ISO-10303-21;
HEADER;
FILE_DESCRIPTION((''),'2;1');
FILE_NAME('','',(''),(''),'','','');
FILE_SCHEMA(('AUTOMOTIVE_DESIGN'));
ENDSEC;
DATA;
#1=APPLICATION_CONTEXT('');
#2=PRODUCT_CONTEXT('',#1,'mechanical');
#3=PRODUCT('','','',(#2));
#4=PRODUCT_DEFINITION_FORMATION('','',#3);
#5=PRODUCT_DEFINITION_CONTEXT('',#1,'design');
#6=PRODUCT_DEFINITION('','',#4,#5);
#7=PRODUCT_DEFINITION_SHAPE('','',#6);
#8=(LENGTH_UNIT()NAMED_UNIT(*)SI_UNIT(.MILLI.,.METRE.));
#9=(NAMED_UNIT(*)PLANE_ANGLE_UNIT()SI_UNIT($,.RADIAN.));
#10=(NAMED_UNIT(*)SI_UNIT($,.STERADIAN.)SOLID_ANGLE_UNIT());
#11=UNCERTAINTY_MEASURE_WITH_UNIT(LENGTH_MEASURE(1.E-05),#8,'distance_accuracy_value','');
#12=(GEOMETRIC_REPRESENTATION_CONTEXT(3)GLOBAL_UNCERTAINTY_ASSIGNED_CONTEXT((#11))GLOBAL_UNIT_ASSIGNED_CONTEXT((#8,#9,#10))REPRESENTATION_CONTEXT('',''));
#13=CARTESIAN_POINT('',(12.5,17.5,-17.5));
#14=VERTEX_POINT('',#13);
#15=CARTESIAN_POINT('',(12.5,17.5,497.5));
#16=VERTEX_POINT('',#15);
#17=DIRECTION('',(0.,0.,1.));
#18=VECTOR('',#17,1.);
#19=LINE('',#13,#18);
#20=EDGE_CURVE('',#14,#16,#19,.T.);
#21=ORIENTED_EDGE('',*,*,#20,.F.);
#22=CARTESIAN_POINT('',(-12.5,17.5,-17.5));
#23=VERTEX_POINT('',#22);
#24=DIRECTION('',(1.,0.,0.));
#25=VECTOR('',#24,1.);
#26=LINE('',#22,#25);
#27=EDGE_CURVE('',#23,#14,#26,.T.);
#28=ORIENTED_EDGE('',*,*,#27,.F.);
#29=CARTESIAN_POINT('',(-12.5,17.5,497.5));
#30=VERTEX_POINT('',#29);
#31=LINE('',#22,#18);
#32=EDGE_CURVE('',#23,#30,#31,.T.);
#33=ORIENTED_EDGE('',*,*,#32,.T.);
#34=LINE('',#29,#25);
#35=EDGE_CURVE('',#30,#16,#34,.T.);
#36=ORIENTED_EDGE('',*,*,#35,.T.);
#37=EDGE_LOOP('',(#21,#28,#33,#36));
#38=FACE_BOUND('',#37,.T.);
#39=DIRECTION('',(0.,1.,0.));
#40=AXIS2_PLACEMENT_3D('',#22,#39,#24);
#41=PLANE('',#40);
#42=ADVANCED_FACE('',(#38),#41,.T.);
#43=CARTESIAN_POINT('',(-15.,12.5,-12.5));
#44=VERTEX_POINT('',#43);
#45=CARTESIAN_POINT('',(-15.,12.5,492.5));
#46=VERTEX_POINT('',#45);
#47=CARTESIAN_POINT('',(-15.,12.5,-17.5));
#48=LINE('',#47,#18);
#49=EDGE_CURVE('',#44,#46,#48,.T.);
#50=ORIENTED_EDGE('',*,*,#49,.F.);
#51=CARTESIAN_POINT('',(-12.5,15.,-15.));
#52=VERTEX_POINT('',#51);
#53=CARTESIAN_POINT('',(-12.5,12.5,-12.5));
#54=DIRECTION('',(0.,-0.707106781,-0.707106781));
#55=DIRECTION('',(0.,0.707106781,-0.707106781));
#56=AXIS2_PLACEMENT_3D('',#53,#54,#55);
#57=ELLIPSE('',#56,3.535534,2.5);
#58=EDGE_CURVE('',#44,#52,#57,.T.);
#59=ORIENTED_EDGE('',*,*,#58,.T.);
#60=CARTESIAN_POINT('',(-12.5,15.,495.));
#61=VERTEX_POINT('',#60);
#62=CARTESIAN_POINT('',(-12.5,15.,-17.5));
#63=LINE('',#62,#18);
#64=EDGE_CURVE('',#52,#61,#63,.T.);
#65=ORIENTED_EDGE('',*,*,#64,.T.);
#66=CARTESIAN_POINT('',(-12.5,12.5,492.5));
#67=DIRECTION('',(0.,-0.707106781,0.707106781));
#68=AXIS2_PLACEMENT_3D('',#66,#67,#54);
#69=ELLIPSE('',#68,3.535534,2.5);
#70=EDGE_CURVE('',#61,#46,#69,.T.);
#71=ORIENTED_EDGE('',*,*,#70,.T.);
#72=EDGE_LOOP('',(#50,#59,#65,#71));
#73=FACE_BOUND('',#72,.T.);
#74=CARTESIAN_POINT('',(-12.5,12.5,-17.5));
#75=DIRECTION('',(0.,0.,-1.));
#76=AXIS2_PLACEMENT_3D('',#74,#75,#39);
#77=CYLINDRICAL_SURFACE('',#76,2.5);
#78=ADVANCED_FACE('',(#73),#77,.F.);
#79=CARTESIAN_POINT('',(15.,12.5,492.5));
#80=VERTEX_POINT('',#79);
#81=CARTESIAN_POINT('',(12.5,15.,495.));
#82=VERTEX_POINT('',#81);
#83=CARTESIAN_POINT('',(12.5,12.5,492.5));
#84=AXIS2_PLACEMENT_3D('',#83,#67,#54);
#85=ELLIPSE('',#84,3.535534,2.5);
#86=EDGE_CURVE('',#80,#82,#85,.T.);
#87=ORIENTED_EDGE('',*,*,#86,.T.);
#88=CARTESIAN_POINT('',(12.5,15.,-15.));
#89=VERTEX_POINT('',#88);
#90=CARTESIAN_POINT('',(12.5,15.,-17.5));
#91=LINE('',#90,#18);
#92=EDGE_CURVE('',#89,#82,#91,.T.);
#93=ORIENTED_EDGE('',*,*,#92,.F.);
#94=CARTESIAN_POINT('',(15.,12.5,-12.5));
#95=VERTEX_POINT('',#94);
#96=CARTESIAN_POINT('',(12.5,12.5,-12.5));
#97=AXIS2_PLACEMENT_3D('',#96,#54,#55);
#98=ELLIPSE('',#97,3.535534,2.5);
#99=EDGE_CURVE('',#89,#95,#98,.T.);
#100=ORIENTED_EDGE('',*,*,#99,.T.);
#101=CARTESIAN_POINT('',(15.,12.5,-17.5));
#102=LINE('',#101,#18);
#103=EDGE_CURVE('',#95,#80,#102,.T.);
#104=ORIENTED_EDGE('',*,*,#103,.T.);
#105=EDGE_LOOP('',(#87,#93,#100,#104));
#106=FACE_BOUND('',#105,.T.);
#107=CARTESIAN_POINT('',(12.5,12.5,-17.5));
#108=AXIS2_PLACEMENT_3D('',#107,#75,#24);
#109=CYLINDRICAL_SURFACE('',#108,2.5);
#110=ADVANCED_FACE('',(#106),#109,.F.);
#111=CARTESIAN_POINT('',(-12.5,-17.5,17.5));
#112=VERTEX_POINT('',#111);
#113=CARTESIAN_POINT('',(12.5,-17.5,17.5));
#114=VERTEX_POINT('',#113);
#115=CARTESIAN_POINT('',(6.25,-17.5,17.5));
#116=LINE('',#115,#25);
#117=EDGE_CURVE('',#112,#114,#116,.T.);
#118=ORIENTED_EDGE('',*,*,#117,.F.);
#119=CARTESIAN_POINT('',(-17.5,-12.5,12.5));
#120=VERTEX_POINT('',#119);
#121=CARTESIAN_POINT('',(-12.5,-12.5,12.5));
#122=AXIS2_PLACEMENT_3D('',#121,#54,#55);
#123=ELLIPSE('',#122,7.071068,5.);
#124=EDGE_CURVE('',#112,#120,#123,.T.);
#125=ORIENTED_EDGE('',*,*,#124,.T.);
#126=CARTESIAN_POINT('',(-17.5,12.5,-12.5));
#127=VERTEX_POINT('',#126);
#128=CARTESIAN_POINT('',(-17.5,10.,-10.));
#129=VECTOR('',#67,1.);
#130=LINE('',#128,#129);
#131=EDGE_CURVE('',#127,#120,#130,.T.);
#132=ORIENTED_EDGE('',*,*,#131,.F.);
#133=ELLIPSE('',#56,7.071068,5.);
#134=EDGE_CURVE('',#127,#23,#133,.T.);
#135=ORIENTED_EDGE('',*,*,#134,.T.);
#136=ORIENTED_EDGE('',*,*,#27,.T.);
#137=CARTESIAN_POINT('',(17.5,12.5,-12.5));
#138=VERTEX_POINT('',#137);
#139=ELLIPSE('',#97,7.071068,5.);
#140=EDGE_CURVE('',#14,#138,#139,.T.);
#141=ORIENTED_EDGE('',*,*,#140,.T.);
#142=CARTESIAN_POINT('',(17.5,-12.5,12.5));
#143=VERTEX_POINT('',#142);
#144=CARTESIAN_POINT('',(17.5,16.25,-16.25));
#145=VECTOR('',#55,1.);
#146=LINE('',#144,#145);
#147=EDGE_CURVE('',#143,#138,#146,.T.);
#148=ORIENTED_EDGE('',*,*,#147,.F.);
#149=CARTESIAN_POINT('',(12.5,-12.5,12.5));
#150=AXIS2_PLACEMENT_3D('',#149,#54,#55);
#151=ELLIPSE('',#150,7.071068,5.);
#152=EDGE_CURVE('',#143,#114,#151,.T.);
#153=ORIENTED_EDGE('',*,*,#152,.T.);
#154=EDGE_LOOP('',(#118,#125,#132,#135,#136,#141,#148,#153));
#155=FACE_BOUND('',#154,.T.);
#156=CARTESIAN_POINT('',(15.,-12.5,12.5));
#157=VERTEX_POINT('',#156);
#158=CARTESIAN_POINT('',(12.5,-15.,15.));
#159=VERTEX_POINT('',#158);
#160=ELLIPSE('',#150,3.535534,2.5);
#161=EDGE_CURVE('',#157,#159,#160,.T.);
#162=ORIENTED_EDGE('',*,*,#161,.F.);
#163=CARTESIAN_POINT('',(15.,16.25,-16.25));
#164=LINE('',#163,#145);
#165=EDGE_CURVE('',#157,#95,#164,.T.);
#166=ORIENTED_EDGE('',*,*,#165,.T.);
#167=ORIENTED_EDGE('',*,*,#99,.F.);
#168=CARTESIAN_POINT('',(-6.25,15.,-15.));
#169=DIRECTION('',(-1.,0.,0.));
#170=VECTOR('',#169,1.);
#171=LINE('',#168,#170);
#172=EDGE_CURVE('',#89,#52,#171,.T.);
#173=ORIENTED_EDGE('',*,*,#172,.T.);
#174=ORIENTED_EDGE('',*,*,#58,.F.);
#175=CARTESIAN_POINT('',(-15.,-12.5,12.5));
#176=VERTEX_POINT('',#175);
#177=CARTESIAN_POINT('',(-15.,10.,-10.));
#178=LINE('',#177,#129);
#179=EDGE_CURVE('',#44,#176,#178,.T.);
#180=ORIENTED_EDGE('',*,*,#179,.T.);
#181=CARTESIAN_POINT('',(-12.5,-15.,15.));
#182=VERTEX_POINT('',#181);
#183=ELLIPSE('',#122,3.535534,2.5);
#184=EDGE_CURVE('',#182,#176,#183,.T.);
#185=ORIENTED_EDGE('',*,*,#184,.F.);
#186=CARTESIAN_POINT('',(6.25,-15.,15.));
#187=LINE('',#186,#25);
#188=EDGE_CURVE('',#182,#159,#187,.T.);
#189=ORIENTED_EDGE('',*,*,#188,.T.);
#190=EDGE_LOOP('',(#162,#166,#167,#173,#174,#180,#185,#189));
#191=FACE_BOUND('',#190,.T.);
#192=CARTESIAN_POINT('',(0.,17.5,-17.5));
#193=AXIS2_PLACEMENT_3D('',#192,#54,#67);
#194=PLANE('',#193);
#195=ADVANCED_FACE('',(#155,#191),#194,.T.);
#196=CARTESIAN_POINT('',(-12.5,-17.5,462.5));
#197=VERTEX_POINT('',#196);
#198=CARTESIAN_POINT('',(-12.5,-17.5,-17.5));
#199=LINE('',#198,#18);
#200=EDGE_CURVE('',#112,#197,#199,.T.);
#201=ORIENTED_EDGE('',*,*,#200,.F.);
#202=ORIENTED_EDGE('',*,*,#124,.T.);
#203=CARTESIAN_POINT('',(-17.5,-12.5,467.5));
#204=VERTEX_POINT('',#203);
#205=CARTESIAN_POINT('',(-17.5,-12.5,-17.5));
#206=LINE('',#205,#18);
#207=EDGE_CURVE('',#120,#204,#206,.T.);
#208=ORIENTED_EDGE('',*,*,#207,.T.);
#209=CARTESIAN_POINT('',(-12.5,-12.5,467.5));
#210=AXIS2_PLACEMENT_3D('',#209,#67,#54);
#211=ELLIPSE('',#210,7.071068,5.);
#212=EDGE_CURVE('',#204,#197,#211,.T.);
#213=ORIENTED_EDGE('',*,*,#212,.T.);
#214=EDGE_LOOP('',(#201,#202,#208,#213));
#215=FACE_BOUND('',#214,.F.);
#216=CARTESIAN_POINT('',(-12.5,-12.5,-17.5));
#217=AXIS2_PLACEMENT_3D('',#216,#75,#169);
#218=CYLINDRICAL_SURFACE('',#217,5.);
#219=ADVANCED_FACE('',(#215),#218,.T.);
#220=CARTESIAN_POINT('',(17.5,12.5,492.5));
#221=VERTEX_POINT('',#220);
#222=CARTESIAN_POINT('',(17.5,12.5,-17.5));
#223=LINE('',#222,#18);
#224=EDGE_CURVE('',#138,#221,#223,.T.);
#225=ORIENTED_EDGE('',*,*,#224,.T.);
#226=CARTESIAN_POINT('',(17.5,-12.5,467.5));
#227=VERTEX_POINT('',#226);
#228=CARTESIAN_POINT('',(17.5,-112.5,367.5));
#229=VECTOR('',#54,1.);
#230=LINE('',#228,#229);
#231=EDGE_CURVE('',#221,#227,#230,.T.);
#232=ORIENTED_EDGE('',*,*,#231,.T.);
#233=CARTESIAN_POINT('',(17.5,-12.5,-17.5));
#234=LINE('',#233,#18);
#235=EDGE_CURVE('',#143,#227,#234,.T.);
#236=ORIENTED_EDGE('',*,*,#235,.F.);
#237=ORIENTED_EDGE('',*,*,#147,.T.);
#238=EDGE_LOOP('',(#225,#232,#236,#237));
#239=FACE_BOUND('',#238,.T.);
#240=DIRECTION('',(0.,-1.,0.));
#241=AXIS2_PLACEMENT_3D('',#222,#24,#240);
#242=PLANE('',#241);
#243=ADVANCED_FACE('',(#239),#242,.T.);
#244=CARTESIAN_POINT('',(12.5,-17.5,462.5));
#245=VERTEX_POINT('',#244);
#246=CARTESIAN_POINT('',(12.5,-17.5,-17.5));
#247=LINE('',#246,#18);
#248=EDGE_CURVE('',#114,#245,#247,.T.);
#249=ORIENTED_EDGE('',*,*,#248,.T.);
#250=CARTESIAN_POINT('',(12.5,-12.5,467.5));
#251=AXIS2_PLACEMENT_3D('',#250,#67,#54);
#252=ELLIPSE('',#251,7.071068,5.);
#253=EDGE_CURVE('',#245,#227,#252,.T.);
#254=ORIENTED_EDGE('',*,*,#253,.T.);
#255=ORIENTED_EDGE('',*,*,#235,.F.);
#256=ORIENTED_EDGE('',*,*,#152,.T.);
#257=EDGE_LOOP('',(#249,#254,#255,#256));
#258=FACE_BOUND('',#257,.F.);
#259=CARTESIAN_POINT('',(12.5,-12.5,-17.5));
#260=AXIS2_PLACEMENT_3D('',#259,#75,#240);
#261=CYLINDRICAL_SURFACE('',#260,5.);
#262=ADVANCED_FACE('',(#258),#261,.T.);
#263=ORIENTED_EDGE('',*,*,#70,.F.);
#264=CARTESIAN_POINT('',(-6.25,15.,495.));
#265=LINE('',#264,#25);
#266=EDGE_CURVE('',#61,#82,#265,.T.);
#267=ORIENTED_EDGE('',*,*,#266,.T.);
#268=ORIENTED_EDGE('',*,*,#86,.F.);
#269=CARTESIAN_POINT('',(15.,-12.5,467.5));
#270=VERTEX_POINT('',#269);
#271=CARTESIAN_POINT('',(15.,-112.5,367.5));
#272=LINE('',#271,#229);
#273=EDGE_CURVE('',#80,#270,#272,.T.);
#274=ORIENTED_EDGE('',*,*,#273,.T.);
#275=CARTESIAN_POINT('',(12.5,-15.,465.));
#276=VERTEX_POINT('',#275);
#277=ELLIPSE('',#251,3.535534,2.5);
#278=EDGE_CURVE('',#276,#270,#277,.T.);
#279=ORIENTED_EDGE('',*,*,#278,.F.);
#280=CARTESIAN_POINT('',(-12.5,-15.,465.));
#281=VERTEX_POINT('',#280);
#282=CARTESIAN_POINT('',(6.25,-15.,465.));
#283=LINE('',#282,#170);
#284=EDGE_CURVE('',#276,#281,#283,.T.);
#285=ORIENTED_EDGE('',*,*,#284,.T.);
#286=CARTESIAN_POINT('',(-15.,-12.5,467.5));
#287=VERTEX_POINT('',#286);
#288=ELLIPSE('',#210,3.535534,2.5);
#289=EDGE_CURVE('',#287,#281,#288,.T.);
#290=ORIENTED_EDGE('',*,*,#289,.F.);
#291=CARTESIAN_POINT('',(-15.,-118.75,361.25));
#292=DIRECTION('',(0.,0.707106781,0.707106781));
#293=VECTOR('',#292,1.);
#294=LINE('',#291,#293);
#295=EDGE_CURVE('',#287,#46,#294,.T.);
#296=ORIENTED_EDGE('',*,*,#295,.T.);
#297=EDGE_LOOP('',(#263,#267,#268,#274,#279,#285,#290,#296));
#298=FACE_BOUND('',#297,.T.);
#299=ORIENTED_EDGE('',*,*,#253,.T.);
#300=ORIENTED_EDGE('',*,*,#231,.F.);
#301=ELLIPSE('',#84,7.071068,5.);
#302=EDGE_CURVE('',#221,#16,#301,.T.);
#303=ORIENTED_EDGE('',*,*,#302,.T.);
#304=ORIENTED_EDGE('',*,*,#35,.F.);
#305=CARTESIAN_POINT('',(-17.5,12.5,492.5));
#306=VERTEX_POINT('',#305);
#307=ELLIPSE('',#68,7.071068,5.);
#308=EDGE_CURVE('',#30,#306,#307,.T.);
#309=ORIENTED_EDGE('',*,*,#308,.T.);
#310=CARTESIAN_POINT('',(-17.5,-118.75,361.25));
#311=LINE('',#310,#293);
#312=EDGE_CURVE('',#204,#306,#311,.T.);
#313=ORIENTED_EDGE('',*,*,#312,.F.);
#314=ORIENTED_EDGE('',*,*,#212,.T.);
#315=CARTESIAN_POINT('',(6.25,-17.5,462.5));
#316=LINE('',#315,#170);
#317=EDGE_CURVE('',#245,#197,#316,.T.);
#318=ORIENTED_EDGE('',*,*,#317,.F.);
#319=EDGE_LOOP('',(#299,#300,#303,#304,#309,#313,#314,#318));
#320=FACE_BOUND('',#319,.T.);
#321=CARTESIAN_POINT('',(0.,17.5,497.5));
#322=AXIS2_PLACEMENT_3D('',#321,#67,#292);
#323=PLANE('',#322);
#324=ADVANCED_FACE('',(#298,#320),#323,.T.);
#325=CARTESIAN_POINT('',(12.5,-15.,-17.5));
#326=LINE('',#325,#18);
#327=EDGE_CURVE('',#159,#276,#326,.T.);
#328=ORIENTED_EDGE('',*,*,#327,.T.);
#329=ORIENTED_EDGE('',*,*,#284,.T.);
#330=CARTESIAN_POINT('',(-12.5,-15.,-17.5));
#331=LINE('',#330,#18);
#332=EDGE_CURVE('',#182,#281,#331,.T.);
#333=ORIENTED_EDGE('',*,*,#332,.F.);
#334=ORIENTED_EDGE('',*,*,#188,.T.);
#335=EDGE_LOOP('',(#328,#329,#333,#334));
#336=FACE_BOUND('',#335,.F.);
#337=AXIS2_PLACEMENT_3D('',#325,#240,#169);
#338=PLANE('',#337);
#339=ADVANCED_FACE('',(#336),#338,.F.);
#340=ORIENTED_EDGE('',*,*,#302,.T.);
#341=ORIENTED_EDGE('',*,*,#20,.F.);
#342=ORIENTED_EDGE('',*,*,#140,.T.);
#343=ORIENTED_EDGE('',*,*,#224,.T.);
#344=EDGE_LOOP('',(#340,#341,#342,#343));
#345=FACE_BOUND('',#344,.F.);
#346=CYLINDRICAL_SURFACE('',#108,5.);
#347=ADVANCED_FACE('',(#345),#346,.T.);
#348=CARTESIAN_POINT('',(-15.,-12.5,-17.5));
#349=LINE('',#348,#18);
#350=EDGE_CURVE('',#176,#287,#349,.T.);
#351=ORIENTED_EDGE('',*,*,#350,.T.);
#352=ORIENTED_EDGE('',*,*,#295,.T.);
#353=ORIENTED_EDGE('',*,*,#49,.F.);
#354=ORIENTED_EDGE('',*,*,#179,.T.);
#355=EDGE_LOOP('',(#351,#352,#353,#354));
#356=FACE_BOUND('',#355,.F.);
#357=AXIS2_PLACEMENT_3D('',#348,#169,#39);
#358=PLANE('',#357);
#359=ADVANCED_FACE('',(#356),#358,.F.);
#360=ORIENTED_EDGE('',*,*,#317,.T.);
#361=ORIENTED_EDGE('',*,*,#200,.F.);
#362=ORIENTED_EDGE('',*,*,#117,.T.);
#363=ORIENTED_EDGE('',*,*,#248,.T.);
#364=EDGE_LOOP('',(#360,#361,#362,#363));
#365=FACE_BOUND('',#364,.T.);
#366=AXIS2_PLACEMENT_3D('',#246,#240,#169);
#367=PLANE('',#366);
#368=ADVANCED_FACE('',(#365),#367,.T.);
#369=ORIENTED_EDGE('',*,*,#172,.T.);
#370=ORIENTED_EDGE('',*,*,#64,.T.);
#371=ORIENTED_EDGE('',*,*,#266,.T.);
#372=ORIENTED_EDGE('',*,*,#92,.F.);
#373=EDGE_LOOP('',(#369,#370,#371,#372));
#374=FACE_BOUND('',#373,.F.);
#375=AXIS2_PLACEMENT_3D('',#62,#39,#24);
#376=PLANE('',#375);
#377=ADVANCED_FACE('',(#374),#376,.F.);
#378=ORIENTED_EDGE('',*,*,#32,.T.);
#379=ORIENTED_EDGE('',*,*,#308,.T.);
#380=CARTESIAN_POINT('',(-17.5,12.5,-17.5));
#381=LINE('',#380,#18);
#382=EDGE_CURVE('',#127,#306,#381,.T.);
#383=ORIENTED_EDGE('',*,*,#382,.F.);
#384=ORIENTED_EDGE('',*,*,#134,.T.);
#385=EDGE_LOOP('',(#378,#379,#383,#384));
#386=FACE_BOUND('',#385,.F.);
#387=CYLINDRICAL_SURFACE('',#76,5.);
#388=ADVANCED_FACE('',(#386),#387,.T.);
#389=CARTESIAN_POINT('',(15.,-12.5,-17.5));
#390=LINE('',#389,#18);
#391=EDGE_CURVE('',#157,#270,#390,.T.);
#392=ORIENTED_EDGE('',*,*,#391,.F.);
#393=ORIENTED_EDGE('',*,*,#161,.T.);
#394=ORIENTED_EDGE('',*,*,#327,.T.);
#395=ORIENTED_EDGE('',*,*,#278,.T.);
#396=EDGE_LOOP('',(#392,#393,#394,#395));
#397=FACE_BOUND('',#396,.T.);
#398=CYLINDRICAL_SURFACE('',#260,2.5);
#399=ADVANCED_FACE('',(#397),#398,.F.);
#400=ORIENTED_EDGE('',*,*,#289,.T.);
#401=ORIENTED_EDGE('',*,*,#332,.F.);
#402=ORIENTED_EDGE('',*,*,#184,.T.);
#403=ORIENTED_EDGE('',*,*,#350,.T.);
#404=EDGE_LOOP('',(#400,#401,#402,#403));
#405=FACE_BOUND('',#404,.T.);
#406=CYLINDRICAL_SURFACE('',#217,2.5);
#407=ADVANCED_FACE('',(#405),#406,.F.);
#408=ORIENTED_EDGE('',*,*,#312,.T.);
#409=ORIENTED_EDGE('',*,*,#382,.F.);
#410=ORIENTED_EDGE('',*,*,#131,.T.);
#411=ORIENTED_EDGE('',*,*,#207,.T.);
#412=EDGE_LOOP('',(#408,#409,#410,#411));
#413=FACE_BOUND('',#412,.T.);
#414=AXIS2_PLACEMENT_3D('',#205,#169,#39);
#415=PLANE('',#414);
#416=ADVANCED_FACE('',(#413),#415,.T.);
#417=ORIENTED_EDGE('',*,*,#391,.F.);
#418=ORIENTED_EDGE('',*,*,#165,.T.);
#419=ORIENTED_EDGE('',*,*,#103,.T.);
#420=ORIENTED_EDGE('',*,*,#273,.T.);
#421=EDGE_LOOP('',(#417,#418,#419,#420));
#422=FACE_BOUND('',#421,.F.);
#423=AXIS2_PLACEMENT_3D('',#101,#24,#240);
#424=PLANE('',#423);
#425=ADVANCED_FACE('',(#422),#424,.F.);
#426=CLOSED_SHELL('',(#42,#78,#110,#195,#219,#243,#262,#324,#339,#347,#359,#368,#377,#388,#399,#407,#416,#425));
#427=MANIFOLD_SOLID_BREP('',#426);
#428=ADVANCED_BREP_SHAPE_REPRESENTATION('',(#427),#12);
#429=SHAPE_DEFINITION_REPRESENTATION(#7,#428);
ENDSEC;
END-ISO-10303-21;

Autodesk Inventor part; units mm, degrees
ref_plane "Start plane" through (0, 0, -17.5) normal (0, 0, 1) x (1, 0, 0)
ref_plane "End plane" through (0, 0, 497.5) normal (0, 0, 1) x (1, 0, 0)
sketch "Sketch" plane through (0, 0, 0) normal (0, 0, 1) x (1, 0, 0)
  line L0 (-17.5, -12.5) -> (-17.5, 12.5)
  line L1 (-12.5, 17.5) -> (12.5, 17.5)
  line L2 (17.5, 12.5) -> (17.5, -12.5)
  line L3 (12.5, -17.5) -> (-12.5, -17.5)
  arc A0 (-17.5, -12.5) -> (-12.5, -17.5) centre (-12.5, -12.5) ccw
  arc A1 (-12.5, 17.5) -> (-17.5, 12.5) centre (-12.5, 12.5) ccw
  arc A2 (17.5, 12.5) -> (12.5, 17.5) centre (12.5, 12.5) ccw
  arc A3 (12.5, -17.5) -> (17.5, -12.5) centre (12.5, -12.5) ccw
  arc A4 (-12.5, 15) -> (-15, 12.5) centre (-12.5, 12.5) ccw
  line L4 (-12.5, 15) -> (12.5, 15)
  arc A5 (15, 12.5) -> (12.5, 15) centre (12.5, 12.5) ccw
  line L5 (15, 12.5) -> (15, -12.5)
  arc A6 (12.5, -15) -> (15, -12.5) centre (12.5, -12.5) ccw
  line L6 (12.5, -15) -> (-12.5, -15)
  arc A7 (-15, -12.5) -> (-12.5, -15) centre (-12.5, -12.5) ccw
  line L7 (-15, -12.5) -> (-15, 12.5)
  line L8 (0, 25.9497) -> (0, -25.9497) construction
  line L9 (-25.9497, 0) -> (25.9497, 0) construction
  dimension "d7" = 5
  dimension "d10" = 35
  dimension "d11" = 35
  dimension "d12" = 2.5
  dimension "d15" = 17.5
  dimension "d16" = 17.5
extrude "Body" add sketch "Sketch" along normal up to surface (515 mm away) from surface at -17.5
sketch "Sketch3" plane through (0, 0, 0) normal (0, 0, 1) x (1, 0, 0)
  line L0 (0, 0) -> (10, 0)
ref_plane "Work Plane3" through (0, 0, 0) normal (0, -1, 0) x (1, 0, 0)
sketch "Sketch4" plane through (0, 0, 0) normal (0, -1, 0) x (1, 0, 0)
  line L0 (-2, -17.5) -> (12, -17.5)
  line L1 (-2, 497.5) -> (12, 497.5)
  dimension "d18" = 515
ref_plane "Work Plane4" through (17.5, 0, -17.5) normal (0, 0, -1) x (-1, 0, 0)
split "Split1" plane through (17.5, 0, -17.5) removes the side toward (0, 0, -1)
ref_plane "Work Plane5" through (0, 17.5, 497.5) normal (0, -0.7071, 0.7071) x (1, 0, 0)
split "Split2" plane through (0, 17.5, 497.5) removes the side toward (0, -0.7071, 0.7071)
ref_plane "Work Plane15" through (0, 17.5, -17.5) normal (0, -0.7071, -0.7071) x (1, 0, 0)
split "Split6" plane through (0, 17.5, -17.5) removes the side toward (0, -0.7071, -0.7071)
equation "\"d7\" = G_IR"
equation "\"d10\" = G_H"
equation "\"d11\" = G_W"
equation "\"d12\" = G_T"
equation "\"d15\" = 0.5 * d10"
equation "\"d16\" = 0.5 * d11"
equation "\"d3\" = G_L"
equation "\"G_W\" = 35"
equation "\"G_H\" = 35"
equation "\"G_T\" = 2.5"
equation "\"G_IR\" = 5"
equation "\"G_L\" = 535"
equation "\"G_OFFSET_START\" = 17.5"
equation "\"G_OFFSET_END\" = 17.5"
equation "\"d13\" = -G_OFFSET_START"
equation "\"d14\" = G_OFFSET_END + B_L"
equation "\"B_L\" = 480"
properties part number "AS 1163 - C350L0 35x35x2.5 SHS - 535" material "Steel, Mild"
